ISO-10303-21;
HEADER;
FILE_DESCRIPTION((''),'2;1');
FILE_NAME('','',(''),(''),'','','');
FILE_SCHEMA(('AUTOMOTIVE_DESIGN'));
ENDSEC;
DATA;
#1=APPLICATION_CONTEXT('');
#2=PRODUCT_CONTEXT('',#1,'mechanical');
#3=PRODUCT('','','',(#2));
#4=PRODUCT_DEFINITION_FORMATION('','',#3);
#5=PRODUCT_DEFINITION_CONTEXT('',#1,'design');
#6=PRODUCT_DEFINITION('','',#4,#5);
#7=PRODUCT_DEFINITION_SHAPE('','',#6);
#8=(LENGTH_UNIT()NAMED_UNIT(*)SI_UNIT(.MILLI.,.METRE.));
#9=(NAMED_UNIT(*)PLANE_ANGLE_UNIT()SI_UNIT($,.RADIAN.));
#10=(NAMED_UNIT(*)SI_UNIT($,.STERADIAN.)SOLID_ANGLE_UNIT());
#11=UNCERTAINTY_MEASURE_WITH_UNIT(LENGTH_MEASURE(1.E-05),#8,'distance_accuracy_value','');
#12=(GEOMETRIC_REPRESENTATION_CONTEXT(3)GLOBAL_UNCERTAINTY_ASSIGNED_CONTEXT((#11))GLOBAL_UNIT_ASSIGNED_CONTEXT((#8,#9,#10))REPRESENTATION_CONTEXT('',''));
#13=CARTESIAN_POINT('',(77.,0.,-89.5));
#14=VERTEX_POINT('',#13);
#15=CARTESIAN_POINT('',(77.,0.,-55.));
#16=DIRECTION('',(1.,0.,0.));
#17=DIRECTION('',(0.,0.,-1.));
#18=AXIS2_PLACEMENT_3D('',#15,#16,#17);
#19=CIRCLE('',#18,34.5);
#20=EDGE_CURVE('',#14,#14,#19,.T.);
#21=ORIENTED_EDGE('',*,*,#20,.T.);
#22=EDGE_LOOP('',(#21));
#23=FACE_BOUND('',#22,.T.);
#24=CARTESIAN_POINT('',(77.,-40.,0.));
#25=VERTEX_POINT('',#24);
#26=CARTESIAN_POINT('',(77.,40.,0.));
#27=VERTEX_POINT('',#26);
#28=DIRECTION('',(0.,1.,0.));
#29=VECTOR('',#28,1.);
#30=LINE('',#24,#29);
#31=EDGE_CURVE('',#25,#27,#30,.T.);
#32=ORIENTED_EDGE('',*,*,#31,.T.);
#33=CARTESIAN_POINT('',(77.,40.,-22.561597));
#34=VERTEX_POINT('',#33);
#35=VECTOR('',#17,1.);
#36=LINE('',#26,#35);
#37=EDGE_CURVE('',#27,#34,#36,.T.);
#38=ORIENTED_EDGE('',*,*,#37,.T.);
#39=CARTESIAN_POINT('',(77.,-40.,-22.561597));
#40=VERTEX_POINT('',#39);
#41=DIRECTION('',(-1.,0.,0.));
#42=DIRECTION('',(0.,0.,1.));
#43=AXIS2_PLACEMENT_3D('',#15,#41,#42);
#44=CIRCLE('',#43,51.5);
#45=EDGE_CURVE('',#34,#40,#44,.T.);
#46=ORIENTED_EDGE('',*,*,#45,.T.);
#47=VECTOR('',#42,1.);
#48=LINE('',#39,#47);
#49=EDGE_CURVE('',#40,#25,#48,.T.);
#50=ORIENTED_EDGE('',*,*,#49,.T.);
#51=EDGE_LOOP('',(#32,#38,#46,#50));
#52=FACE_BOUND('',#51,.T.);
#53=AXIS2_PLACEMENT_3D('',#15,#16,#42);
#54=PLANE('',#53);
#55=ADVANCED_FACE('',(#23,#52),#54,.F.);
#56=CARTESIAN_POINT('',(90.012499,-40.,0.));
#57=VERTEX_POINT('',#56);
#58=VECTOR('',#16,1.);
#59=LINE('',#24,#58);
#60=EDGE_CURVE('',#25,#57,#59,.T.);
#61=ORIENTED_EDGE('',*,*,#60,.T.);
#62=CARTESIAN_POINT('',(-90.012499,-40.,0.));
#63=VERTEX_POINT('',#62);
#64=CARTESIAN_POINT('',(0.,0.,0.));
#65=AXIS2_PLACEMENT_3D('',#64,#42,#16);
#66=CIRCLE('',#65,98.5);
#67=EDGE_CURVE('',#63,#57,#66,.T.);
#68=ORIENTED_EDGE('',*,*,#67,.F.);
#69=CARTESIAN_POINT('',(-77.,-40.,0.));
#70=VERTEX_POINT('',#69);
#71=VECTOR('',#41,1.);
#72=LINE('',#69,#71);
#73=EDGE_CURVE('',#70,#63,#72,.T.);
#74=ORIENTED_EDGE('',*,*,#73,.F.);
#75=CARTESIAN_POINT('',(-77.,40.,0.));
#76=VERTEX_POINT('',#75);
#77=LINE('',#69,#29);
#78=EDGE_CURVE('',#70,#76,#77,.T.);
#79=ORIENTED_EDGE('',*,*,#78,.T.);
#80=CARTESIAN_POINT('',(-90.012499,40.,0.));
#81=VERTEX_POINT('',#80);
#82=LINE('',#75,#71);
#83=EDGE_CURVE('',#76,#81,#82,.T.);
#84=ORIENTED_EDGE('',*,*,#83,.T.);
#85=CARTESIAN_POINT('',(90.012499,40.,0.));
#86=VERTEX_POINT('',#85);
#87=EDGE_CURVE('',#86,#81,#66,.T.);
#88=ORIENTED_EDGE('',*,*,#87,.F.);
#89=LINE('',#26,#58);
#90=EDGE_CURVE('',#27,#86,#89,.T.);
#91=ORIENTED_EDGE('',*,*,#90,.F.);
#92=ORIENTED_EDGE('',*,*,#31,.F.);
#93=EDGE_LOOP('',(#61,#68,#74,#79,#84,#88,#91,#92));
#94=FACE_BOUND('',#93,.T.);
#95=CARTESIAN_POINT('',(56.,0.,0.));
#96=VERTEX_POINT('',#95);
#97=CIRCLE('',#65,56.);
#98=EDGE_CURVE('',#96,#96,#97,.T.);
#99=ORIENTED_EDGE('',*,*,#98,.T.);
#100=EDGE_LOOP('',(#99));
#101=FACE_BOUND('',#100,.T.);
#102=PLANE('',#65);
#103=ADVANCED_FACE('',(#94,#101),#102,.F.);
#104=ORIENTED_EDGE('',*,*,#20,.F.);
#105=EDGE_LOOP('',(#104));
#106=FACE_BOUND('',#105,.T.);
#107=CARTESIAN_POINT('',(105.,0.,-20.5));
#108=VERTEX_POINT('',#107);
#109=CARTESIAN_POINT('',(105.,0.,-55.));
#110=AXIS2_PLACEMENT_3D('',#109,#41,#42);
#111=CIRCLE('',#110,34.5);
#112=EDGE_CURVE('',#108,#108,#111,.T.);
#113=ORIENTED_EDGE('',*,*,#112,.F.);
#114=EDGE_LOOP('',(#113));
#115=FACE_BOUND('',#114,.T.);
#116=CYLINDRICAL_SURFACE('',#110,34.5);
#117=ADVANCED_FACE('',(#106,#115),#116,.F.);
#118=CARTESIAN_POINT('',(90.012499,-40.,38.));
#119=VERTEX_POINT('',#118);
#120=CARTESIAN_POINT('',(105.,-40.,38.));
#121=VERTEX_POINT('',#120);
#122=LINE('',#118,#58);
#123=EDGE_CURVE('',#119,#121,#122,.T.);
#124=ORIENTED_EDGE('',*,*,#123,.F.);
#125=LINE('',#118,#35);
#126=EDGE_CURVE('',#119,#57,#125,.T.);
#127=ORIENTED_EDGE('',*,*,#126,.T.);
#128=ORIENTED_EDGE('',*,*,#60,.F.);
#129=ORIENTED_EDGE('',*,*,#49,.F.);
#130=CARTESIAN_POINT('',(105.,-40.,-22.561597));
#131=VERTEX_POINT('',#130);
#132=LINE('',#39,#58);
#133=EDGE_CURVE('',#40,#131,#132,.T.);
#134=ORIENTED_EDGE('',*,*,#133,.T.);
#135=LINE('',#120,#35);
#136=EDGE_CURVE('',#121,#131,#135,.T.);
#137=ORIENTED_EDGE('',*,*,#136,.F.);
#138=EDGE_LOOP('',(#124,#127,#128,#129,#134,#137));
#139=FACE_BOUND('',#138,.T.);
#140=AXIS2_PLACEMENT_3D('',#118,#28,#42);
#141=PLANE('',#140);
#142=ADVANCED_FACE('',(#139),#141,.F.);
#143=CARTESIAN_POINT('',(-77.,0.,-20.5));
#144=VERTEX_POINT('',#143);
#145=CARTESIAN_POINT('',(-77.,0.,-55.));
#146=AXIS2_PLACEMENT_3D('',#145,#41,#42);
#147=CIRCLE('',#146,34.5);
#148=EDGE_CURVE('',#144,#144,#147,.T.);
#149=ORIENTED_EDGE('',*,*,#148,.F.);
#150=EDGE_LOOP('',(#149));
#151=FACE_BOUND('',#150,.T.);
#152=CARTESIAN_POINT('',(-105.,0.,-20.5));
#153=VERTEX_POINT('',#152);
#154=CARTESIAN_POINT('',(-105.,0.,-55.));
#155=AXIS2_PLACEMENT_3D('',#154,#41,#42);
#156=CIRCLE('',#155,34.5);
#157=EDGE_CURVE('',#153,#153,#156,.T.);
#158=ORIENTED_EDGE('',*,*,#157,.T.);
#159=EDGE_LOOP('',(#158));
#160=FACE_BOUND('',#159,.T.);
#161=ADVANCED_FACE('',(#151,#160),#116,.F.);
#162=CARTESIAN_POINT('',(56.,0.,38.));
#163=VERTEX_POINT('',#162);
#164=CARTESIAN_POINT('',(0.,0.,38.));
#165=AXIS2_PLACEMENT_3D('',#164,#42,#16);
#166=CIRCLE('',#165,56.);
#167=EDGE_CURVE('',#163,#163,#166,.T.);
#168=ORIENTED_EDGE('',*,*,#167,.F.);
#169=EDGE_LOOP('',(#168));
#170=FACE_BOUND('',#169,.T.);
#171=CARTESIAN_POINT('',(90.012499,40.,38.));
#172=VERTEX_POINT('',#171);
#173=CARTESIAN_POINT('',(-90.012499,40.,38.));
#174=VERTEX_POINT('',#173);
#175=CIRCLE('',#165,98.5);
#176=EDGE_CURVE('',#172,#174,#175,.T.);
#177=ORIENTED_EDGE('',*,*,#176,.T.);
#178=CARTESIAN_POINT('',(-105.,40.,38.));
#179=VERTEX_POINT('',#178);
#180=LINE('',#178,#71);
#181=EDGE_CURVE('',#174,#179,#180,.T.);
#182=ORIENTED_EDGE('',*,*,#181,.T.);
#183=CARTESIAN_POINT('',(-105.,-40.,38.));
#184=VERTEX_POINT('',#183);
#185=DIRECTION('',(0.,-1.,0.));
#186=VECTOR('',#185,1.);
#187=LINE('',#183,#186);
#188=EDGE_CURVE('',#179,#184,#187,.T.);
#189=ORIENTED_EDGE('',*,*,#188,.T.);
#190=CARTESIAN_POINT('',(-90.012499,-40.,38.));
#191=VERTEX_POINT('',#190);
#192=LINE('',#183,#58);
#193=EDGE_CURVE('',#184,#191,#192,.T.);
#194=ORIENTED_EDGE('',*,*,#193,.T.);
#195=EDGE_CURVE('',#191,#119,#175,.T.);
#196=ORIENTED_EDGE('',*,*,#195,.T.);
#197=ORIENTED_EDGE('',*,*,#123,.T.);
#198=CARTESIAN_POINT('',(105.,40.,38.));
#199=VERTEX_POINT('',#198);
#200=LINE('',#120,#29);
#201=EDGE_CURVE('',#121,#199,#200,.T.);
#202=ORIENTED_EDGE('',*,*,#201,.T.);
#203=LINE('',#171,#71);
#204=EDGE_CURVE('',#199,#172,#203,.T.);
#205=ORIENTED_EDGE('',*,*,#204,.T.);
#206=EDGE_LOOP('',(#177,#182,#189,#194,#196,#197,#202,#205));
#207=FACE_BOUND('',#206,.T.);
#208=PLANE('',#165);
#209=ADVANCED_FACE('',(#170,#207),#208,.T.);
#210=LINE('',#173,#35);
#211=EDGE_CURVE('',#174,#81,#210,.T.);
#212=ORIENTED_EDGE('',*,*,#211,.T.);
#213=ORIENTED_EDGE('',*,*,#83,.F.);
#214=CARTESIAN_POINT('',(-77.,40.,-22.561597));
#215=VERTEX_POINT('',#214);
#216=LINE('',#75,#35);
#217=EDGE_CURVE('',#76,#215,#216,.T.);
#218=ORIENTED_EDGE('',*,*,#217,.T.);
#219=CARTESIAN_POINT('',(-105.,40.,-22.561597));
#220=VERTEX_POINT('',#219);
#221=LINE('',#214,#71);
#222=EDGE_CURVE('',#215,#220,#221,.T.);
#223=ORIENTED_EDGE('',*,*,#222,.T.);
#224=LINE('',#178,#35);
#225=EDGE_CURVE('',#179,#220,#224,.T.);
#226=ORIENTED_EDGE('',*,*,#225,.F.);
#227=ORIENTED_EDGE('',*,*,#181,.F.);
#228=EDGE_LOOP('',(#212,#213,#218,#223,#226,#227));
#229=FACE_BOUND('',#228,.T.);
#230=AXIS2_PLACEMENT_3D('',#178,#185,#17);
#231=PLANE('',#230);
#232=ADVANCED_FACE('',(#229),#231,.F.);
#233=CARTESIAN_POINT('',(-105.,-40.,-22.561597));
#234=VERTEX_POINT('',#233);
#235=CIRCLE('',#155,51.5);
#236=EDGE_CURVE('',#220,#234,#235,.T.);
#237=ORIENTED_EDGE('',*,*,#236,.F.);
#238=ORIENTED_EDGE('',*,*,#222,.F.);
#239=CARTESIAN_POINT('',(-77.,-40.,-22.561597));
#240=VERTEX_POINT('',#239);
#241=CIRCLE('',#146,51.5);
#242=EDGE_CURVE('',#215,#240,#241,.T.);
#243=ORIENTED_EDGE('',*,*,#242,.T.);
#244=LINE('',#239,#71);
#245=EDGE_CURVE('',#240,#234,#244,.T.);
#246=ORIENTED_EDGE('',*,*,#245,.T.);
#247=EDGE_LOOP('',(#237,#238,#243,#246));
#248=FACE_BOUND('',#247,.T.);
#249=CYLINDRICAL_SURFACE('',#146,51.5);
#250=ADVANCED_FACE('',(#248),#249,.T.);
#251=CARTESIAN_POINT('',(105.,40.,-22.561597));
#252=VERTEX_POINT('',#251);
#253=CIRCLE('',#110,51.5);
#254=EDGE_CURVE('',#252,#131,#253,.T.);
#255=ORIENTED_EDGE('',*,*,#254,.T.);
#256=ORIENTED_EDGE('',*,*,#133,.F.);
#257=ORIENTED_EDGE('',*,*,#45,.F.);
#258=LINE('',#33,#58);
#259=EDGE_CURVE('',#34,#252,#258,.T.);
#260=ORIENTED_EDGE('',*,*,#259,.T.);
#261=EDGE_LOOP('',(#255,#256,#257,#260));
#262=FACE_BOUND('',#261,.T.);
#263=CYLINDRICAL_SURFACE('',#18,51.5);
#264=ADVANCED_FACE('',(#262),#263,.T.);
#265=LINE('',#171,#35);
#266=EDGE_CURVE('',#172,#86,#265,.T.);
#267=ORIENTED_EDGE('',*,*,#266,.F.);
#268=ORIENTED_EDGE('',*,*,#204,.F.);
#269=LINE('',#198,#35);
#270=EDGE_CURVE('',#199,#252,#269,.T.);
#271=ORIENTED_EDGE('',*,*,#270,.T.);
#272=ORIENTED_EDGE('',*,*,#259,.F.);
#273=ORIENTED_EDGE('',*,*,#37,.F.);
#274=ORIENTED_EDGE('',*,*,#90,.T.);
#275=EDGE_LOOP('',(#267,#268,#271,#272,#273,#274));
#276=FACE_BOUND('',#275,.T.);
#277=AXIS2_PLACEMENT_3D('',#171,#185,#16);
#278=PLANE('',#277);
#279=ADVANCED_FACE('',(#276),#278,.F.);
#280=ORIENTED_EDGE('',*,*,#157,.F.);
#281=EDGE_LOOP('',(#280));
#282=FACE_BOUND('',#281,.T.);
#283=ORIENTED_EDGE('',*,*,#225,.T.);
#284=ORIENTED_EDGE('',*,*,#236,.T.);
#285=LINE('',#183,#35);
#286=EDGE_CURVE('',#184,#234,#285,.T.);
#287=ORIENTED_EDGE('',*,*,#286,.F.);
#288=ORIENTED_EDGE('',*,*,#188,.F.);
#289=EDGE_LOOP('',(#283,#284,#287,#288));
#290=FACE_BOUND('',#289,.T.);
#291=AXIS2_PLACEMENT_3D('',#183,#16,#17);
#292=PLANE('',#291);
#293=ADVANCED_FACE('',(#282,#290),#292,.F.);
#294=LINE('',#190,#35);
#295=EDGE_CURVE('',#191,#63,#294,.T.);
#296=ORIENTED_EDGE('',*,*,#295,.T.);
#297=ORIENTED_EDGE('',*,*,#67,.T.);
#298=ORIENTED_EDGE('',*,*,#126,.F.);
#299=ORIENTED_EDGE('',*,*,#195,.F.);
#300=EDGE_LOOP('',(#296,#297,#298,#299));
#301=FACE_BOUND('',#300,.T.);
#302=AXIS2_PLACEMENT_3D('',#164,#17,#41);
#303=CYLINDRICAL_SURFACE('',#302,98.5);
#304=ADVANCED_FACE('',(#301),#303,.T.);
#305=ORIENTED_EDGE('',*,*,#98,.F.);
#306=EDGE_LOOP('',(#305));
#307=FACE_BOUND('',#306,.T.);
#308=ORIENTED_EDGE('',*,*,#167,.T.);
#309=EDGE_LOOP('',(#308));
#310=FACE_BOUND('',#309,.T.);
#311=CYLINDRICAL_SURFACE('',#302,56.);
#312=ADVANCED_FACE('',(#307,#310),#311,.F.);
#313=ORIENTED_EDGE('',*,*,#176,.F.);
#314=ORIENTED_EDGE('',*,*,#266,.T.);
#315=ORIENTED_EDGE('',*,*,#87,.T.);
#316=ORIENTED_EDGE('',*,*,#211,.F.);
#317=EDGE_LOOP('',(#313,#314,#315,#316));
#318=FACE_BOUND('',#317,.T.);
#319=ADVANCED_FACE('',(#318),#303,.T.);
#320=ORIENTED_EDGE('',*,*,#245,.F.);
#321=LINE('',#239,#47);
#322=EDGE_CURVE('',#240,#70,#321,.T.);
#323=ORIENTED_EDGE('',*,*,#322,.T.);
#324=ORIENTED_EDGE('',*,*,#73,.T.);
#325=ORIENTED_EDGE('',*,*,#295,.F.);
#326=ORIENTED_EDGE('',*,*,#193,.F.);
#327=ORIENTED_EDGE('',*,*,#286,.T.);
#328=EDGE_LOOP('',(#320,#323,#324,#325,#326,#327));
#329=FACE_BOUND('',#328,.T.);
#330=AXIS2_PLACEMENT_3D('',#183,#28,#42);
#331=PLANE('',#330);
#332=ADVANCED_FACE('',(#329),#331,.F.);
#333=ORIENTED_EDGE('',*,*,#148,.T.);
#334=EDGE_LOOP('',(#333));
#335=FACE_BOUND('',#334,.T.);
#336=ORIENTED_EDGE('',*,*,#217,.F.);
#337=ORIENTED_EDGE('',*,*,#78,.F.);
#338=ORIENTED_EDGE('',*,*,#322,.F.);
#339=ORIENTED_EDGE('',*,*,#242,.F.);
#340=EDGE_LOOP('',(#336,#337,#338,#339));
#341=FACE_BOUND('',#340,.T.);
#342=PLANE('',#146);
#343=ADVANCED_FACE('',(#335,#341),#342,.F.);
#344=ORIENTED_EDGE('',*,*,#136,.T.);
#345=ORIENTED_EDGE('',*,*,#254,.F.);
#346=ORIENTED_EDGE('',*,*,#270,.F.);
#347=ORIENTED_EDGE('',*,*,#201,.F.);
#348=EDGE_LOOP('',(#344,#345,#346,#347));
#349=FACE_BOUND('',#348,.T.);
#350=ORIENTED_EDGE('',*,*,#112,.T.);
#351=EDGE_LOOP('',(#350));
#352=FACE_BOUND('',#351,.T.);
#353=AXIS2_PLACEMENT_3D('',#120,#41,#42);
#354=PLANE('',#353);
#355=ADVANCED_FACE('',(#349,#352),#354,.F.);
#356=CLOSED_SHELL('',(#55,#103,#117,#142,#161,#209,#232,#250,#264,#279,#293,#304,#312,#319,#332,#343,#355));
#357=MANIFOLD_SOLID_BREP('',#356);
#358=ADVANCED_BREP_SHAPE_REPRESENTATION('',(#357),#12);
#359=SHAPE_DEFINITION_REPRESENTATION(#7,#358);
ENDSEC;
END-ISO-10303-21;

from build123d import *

# Parameters (mm, degrees)
SKETCH1_R      = 56
EXTRUDE1_DEPTH = 38
EXTRUDE2_DEPTH = 28
SKETCH3_R      = 34.5
EXTRUDE3_DEPTH = 256.234206172


with BuildPart() as part:
    # Sketch1 → Extrude1 (new body)
    with BuildSketch(Plane.XY):
        with BuildLine():
            Line((-105, -40), (-90.012499132, -40))
            ThreePointArc((-90.012499132, -40), (0, -98.5), (90.012499132, -40))
            Line((90.012499132, -40), (105, -40))
            Line((105, -40), (105, 40))
            Line((105, 40), (90.012499132, 40))
            ThreePointArc((90.012499132, 40), (0, 98.5), (-90.012499132, 40))
            Line((-90.012499132, 40), (-105, 40))
            Line((-105, 40), (-105, -40))
        make_face()
        Circle(SKETCH1_R, mode=Mode.SUBTRACT)
    extrude(amount=EXTRUDE1_DEPTH)

    # Sketch2 → Extrude2 (add)
    with BuildSketch(Plane.ZY.offset(105)):
        with BuildLine():
            Line((0, 40), (-22.561596833, 40))
            ThreePointArc((-22.561596833, 40), (-106.5, 0), (-22.561596833, -40))
            Line((-22.561596833, -40), (0, -40))
            Line((0, -40), (0, 40))
        make_face()
    extrude2 = extrude(amount=-EXTRUDE2_DEPTH)

    # Mirror1: Extrude2 across plane
    add(extrude2.mirror(Plane(origin=(0, 0, 0), x_dir=(0, 0, 1), z_dir=(1, 0, 0))))

    # Sketch3 → Extrude3 (cut, through all)
    with BuildSketch(Plane.ZY.offset(105)):
        with Locations((-55, 0)):
            Circle(SKETCH3_R)
    extrude(amount=-EXTRUDE3_DEPTH, mode=Mode.SUBTRACT)


solid = part.part
